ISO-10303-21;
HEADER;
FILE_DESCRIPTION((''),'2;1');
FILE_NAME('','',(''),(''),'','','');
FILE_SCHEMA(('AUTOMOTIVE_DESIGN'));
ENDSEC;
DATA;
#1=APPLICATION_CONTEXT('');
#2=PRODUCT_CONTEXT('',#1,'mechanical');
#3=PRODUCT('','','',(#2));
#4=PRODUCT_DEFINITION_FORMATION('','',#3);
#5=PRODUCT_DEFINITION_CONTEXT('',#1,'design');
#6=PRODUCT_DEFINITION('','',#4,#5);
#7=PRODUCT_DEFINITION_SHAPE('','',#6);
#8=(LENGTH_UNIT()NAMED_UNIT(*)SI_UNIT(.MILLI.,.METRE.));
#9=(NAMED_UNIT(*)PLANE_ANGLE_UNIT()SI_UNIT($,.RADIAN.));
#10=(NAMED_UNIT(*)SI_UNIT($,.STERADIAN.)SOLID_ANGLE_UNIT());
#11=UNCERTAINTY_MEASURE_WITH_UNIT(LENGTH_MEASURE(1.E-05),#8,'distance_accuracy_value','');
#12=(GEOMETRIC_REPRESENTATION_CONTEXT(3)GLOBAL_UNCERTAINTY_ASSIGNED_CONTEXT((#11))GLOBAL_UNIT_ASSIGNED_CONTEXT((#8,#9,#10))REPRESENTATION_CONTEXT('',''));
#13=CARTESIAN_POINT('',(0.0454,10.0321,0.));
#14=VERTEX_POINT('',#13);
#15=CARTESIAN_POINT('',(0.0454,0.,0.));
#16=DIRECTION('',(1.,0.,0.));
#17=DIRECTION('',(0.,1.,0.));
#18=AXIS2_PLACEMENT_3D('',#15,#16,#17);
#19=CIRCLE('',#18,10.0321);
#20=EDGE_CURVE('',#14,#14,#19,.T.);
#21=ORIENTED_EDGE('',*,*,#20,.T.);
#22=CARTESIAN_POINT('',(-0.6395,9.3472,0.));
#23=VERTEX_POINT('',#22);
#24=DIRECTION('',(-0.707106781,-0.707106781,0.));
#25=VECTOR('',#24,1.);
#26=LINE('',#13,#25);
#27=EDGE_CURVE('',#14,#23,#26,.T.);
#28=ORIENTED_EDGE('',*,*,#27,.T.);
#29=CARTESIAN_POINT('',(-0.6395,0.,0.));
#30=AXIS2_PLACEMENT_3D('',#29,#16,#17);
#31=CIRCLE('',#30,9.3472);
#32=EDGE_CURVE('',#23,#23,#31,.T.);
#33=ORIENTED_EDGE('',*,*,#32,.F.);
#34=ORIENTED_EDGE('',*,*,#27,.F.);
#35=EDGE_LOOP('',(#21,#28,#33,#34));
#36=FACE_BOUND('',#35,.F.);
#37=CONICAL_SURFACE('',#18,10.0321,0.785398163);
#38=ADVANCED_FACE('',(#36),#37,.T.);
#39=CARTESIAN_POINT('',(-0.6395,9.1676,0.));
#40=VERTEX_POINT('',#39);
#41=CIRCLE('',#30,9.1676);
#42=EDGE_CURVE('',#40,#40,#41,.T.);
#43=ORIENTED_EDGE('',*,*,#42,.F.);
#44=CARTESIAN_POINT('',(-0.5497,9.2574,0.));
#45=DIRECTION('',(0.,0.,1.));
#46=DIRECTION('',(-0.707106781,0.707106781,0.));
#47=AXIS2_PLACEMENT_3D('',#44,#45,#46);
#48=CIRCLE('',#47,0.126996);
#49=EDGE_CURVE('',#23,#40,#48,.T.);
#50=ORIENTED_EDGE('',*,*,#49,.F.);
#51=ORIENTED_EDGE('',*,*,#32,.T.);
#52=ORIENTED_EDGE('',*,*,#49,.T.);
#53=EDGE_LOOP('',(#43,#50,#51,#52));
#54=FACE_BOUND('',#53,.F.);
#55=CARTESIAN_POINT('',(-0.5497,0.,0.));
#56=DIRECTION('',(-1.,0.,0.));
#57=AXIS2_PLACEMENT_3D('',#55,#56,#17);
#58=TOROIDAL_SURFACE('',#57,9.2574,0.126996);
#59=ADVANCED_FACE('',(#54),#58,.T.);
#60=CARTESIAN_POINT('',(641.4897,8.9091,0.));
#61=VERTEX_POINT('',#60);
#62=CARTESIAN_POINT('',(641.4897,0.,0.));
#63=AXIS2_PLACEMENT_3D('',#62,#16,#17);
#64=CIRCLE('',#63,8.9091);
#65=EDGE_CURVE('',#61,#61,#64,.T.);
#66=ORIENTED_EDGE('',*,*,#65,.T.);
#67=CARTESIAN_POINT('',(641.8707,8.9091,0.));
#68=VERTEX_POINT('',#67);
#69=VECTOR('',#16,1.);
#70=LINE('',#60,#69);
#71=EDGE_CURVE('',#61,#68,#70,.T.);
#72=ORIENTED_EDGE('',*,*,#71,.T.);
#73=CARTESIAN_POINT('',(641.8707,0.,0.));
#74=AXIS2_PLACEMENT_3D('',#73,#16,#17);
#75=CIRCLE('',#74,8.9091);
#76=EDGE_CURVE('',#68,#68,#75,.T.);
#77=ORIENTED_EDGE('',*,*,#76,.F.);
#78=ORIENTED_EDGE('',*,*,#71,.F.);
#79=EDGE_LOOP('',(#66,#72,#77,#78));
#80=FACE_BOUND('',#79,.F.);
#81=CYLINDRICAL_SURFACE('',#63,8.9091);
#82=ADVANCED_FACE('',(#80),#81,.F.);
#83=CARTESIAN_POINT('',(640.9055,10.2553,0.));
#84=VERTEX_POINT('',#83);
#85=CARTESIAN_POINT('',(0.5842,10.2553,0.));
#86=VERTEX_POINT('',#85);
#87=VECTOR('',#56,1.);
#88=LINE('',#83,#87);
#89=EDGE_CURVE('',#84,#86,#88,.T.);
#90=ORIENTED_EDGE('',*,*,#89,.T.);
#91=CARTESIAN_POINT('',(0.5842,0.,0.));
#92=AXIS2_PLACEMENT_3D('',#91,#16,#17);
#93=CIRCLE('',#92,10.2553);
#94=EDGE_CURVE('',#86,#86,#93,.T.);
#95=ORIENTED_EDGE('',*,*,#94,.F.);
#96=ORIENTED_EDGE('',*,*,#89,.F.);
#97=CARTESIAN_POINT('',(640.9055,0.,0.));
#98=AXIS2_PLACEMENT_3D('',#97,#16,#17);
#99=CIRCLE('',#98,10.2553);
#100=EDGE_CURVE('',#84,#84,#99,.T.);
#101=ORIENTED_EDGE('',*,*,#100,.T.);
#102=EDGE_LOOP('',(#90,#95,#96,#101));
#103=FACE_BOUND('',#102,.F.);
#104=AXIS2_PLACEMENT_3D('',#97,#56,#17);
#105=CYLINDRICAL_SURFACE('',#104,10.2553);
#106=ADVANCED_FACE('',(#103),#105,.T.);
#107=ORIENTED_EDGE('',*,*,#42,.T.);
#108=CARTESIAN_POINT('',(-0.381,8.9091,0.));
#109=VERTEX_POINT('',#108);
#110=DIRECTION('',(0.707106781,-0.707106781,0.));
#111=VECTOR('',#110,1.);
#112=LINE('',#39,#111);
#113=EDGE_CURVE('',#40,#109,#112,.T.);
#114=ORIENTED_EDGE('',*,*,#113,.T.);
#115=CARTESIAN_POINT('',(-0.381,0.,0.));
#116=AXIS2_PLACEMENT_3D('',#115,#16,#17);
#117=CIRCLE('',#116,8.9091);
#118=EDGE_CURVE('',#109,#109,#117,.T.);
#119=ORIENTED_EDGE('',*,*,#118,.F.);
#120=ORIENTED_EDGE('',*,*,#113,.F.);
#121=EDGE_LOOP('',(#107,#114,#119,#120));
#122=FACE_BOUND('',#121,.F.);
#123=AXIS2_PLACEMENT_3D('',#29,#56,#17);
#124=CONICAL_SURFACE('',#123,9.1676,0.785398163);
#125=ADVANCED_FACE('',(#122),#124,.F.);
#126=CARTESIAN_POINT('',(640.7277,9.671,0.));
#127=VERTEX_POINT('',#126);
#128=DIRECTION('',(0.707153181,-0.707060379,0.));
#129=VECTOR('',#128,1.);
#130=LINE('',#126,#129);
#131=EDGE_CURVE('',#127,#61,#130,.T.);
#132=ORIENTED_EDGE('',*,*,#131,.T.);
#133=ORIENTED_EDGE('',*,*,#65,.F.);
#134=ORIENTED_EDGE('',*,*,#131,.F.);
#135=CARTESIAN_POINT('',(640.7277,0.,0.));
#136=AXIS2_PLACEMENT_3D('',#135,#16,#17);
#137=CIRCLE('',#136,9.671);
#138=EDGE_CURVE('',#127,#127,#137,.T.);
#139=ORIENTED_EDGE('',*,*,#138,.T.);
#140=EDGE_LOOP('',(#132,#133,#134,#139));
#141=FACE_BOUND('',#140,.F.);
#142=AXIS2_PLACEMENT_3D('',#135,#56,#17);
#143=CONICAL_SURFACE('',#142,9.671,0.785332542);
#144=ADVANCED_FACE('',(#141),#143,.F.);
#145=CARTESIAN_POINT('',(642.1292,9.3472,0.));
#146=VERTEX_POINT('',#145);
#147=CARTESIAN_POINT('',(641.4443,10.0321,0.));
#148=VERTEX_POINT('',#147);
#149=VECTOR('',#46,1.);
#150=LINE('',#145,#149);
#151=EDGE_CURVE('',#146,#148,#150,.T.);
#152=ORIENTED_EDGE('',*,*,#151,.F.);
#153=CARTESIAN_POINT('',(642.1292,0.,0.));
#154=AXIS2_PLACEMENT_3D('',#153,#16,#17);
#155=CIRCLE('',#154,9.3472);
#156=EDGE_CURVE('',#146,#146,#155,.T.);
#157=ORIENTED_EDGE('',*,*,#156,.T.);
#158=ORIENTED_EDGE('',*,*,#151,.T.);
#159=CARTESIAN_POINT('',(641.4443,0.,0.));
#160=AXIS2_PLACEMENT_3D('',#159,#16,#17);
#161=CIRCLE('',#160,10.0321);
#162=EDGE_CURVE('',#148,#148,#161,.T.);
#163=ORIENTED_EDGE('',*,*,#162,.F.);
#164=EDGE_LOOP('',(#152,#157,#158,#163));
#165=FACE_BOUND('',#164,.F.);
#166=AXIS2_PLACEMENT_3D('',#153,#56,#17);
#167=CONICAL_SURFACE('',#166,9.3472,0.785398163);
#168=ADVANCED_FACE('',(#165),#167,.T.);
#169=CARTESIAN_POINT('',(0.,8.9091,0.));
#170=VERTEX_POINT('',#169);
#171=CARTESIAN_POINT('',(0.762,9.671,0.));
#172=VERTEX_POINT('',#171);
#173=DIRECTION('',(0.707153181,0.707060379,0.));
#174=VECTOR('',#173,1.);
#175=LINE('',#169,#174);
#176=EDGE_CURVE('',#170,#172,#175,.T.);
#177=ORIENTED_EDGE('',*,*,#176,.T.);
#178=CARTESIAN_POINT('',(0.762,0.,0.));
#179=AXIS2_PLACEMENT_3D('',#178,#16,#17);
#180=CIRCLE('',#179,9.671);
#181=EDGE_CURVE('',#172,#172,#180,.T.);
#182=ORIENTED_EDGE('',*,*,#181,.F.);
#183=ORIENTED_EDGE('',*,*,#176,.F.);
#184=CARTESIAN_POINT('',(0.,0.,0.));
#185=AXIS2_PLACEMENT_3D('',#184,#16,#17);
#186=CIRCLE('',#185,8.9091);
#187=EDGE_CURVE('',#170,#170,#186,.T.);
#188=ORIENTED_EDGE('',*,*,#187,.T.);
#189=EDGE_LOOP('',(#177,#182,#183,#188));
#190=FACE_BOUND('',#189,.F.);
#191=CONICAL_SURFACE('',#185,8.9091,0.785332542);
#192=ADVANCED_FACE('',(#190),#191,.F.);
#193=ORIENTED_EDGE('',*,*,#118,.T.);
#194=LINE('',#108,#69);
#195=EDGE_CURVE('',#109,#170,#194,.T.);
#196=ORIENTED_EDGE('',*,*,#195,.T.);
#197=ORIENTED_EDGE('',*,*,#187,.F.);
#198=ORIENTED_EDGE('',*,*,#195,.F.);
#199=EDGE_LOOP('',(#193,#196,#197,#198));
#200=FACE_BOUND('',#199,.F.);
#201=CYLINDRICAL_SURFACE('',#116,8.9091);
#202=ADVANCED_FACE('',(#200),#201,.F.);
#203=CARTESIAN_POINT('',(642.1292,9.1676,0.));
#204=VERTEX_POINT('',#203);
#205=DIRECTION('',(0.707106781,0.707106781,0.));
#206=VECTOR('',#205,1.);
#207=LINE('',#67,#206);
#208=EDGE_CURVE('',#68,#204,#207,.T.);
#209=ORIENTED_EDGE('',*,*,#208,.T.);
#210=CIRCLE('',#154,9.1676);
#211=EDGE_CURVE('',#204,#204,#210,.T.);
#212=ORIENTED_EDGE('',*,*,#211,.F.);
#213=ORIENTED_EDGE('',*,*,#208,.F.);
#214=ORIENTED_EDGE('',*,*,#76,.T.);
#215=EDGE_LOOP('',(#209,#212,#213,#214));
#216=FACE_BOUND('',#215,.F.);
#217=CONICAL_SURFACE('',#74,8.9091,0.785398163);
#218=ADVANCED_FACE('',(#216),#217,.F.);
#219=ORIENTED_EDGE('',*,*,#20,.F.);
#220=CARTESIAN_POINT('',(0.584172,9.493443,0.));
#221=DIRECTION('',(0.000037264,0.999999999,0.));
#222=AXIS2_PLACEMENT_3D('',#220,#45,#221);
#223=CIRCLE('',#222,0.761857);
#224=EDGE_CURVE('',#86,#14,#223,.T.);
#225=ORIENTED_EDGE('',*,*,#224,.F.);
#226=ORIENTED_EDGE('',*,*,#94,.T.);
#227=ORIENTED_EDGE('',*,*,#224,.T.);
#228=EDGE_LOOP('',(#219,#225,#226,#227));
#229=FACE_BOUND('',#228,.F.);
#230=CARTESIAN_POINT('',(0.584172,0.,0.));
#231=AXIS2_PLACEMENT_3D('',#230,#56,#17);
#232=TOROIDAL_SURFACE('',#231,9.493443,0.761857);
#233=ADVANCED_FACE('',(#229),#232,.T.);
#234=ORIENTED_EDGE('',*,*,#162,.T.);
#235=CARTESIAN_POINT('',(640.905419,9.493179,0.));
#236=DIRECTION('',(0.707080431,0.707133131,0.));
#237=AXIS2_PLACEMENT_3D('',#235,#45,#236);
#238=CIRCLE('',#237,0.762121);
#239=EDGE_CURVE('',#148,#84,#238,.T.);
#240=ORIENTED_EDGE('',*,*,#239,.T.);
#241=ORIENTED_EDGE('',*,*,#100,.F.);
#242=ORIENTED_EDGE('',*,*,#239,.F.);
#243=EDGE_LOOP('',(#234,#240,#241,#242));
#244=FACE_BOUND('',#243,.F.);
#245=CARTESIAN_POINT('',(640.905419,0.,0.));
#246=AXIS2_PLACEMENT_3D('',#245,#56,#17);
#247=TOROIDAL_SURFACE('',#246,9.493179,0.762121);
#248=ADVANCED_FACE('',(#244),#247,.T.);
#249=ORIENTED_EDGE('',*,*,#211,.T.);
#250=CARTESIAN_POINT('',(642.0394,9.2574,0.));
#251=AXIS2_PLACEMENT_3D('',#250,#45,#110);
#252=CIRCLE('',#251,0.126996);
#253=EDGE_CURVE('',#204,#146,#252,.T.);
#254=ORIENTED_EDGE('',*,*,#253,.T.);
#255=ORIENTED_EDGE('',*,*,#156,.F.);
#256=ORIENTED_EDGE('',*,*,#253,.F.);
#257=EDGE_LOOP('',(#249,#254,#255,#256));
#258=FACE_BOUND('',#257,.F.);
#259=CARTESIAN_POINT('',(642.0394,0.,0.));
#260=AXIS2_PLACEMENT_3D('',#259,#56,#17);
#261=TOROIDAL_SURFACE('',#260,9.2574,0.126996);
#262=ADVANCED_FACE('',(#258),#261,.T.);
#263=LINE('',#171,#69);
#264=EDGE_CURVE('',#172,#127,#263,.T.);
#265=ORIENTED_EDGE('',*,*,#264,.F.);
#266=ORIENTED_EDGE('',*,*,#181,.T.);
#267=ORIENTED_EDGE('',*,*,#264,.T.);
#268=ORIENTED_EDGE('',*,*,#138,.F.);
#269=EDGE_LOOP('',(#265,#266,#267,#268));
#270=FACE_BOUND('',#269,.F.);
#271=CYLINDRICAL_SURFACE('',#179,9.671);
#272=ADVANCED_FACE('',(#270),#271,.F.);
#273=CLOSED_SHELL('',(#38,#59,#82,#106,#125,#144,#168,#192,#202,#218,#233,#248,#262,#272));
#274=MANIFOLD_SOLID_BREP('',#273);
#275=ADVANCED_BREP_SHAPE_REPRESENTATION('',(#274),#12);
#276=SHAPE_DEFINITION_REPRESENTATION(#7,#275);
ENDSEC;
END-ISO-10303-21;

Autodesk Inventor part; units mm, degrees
sketch "Sketch_1" plane through (0, 0, 0) normal (0, 0, 1) x (1, 0, 0)
  line L0 (641.4897, 0) -> (0, 0)
  arc A0 (-0.6395, 9.3472) -> (-0.6395, 9.1676) centre (-0.5497, 9.2574) ccw
  line L1 (-0.6395, 9.1676) -> (-0.381, 8.9091)
  line L2 (-0.381, 8.9091) -> (0, 8.9091)
  line L3 (0, 8.9091) -> (0.762, 9.671)
  line L4 (0.762, 9.671) -> (640.7277, 9.671)
  line L5 (640.7277, 9.671) -> (641.4897, 8.9091)
  line L6 (641.4897, 8.9091) -> (641.8707, 8.9091)
  line L7 (641.8707, 8.9091) -> (642.1292, 9.1676)
  arc A1 (642.1292, 9.1676) -> (642.1292, 9.3472) centre (642.0394, 9.2574) ccw
  line L8 (642.1292, 9.3472) -> (641.4443, 10.0321)
  arc A2 (641.4443, 10.0321) -> (640.9055, 10.2553) centre (640.9055, 9.4933) ccw
  line L9 (640.9055, 10.2553) -> (0.5842, 10.2553)
  arc A3 (0.5842, 10.2553) -> (0.0454, 10.0321) centre (0.5842, 9.4933) ccw
  line L10 (0.0454, 10.0321) -> (-0.6395, 9.3472)
revolve "Revolution1" add sketch "Sketch_1" angle 360 about axis through (641.4897, 0, 0) along (1, 0, 0)
ref_plane "cp1_XY" through (320.7449, 10.2553, 0) normal (1, 0, 0) x (0, 0, -1)
ref_plane "cp1_YZ" through (320.7449, 10.2553, 0) normal (0, 0, -1) x (0, 1, 0)
ref_plane "cp1_ZX" through (320.7449, 10.2553, 0) normal (0, 1, 0) x (1, 0, 0)
ref_plane "cp2_XY" through (320.7449, 0, -10.2553) normal (1, 0, 0) x (0, 0, -1)
ref_plane "cp2_YZ" through (320.7449, 0, -10.2553) normal (0, 0, -1) x (0, 1, 0)
ref_plane "cp2_ZX" through (320.7449, 0, -10.2553) normal (0, 1, 0) x (1, 0, 0)
ref_plane "cp3_XY" through (320.7449, -10.2553, 0) normal (1, 0, 0) x (0, 0, -1)
ref_plane "cp3_YZ" through (320.7449, -10.2553, 0) normal (0, 0, -1) x (0, 1, 0)
ref_plane "cp3_ZX" through (320.7449, -10.2553, 0) normal (0, 1, 0) x (1, 0, 0)
ref_plane "cp4_XY" through (320.7449, 0, 10.2553) normal (1, 0, 0) x (0, 0, -1)
ref_plane "cp4_YZ" through (320.7449, 0, 10.2553) normal (0, 0, -1) x (0, 1, 0)
ref_plane "cp4_ZX" through (320.7449, 0, 10.2553) normal (0, 1, 0) x (1, 0, 0)
ref_plane "tube_front_XY" through (0, 0, 0) normal (1, 0, 0) x (0, 0, -1)
ref_plane "tube_front_YZ" through (0, 0, 0) normal (0, 0, -1) x (0, 1, 0)
ref_plane "tube_front_ZX" through (0, 0, 0) normal (0, 1, 0) x (1, 0, 0)
ref_plane "tube_rear_XY" through (641.4897, 0, 0) normal (1, 0, 0) x (0, 0, -1)
ref_plane "tube_rear_YZ" through (641.4897, 0, 0) normal (0, 0, -1) x (0, 1, 0)
ref_plane "tube_rear_ZX" through (641.4897, 0, 0) normal (0, 1, 0) x (1, 0, 0)
properties part number "04R-25.25550SR"
